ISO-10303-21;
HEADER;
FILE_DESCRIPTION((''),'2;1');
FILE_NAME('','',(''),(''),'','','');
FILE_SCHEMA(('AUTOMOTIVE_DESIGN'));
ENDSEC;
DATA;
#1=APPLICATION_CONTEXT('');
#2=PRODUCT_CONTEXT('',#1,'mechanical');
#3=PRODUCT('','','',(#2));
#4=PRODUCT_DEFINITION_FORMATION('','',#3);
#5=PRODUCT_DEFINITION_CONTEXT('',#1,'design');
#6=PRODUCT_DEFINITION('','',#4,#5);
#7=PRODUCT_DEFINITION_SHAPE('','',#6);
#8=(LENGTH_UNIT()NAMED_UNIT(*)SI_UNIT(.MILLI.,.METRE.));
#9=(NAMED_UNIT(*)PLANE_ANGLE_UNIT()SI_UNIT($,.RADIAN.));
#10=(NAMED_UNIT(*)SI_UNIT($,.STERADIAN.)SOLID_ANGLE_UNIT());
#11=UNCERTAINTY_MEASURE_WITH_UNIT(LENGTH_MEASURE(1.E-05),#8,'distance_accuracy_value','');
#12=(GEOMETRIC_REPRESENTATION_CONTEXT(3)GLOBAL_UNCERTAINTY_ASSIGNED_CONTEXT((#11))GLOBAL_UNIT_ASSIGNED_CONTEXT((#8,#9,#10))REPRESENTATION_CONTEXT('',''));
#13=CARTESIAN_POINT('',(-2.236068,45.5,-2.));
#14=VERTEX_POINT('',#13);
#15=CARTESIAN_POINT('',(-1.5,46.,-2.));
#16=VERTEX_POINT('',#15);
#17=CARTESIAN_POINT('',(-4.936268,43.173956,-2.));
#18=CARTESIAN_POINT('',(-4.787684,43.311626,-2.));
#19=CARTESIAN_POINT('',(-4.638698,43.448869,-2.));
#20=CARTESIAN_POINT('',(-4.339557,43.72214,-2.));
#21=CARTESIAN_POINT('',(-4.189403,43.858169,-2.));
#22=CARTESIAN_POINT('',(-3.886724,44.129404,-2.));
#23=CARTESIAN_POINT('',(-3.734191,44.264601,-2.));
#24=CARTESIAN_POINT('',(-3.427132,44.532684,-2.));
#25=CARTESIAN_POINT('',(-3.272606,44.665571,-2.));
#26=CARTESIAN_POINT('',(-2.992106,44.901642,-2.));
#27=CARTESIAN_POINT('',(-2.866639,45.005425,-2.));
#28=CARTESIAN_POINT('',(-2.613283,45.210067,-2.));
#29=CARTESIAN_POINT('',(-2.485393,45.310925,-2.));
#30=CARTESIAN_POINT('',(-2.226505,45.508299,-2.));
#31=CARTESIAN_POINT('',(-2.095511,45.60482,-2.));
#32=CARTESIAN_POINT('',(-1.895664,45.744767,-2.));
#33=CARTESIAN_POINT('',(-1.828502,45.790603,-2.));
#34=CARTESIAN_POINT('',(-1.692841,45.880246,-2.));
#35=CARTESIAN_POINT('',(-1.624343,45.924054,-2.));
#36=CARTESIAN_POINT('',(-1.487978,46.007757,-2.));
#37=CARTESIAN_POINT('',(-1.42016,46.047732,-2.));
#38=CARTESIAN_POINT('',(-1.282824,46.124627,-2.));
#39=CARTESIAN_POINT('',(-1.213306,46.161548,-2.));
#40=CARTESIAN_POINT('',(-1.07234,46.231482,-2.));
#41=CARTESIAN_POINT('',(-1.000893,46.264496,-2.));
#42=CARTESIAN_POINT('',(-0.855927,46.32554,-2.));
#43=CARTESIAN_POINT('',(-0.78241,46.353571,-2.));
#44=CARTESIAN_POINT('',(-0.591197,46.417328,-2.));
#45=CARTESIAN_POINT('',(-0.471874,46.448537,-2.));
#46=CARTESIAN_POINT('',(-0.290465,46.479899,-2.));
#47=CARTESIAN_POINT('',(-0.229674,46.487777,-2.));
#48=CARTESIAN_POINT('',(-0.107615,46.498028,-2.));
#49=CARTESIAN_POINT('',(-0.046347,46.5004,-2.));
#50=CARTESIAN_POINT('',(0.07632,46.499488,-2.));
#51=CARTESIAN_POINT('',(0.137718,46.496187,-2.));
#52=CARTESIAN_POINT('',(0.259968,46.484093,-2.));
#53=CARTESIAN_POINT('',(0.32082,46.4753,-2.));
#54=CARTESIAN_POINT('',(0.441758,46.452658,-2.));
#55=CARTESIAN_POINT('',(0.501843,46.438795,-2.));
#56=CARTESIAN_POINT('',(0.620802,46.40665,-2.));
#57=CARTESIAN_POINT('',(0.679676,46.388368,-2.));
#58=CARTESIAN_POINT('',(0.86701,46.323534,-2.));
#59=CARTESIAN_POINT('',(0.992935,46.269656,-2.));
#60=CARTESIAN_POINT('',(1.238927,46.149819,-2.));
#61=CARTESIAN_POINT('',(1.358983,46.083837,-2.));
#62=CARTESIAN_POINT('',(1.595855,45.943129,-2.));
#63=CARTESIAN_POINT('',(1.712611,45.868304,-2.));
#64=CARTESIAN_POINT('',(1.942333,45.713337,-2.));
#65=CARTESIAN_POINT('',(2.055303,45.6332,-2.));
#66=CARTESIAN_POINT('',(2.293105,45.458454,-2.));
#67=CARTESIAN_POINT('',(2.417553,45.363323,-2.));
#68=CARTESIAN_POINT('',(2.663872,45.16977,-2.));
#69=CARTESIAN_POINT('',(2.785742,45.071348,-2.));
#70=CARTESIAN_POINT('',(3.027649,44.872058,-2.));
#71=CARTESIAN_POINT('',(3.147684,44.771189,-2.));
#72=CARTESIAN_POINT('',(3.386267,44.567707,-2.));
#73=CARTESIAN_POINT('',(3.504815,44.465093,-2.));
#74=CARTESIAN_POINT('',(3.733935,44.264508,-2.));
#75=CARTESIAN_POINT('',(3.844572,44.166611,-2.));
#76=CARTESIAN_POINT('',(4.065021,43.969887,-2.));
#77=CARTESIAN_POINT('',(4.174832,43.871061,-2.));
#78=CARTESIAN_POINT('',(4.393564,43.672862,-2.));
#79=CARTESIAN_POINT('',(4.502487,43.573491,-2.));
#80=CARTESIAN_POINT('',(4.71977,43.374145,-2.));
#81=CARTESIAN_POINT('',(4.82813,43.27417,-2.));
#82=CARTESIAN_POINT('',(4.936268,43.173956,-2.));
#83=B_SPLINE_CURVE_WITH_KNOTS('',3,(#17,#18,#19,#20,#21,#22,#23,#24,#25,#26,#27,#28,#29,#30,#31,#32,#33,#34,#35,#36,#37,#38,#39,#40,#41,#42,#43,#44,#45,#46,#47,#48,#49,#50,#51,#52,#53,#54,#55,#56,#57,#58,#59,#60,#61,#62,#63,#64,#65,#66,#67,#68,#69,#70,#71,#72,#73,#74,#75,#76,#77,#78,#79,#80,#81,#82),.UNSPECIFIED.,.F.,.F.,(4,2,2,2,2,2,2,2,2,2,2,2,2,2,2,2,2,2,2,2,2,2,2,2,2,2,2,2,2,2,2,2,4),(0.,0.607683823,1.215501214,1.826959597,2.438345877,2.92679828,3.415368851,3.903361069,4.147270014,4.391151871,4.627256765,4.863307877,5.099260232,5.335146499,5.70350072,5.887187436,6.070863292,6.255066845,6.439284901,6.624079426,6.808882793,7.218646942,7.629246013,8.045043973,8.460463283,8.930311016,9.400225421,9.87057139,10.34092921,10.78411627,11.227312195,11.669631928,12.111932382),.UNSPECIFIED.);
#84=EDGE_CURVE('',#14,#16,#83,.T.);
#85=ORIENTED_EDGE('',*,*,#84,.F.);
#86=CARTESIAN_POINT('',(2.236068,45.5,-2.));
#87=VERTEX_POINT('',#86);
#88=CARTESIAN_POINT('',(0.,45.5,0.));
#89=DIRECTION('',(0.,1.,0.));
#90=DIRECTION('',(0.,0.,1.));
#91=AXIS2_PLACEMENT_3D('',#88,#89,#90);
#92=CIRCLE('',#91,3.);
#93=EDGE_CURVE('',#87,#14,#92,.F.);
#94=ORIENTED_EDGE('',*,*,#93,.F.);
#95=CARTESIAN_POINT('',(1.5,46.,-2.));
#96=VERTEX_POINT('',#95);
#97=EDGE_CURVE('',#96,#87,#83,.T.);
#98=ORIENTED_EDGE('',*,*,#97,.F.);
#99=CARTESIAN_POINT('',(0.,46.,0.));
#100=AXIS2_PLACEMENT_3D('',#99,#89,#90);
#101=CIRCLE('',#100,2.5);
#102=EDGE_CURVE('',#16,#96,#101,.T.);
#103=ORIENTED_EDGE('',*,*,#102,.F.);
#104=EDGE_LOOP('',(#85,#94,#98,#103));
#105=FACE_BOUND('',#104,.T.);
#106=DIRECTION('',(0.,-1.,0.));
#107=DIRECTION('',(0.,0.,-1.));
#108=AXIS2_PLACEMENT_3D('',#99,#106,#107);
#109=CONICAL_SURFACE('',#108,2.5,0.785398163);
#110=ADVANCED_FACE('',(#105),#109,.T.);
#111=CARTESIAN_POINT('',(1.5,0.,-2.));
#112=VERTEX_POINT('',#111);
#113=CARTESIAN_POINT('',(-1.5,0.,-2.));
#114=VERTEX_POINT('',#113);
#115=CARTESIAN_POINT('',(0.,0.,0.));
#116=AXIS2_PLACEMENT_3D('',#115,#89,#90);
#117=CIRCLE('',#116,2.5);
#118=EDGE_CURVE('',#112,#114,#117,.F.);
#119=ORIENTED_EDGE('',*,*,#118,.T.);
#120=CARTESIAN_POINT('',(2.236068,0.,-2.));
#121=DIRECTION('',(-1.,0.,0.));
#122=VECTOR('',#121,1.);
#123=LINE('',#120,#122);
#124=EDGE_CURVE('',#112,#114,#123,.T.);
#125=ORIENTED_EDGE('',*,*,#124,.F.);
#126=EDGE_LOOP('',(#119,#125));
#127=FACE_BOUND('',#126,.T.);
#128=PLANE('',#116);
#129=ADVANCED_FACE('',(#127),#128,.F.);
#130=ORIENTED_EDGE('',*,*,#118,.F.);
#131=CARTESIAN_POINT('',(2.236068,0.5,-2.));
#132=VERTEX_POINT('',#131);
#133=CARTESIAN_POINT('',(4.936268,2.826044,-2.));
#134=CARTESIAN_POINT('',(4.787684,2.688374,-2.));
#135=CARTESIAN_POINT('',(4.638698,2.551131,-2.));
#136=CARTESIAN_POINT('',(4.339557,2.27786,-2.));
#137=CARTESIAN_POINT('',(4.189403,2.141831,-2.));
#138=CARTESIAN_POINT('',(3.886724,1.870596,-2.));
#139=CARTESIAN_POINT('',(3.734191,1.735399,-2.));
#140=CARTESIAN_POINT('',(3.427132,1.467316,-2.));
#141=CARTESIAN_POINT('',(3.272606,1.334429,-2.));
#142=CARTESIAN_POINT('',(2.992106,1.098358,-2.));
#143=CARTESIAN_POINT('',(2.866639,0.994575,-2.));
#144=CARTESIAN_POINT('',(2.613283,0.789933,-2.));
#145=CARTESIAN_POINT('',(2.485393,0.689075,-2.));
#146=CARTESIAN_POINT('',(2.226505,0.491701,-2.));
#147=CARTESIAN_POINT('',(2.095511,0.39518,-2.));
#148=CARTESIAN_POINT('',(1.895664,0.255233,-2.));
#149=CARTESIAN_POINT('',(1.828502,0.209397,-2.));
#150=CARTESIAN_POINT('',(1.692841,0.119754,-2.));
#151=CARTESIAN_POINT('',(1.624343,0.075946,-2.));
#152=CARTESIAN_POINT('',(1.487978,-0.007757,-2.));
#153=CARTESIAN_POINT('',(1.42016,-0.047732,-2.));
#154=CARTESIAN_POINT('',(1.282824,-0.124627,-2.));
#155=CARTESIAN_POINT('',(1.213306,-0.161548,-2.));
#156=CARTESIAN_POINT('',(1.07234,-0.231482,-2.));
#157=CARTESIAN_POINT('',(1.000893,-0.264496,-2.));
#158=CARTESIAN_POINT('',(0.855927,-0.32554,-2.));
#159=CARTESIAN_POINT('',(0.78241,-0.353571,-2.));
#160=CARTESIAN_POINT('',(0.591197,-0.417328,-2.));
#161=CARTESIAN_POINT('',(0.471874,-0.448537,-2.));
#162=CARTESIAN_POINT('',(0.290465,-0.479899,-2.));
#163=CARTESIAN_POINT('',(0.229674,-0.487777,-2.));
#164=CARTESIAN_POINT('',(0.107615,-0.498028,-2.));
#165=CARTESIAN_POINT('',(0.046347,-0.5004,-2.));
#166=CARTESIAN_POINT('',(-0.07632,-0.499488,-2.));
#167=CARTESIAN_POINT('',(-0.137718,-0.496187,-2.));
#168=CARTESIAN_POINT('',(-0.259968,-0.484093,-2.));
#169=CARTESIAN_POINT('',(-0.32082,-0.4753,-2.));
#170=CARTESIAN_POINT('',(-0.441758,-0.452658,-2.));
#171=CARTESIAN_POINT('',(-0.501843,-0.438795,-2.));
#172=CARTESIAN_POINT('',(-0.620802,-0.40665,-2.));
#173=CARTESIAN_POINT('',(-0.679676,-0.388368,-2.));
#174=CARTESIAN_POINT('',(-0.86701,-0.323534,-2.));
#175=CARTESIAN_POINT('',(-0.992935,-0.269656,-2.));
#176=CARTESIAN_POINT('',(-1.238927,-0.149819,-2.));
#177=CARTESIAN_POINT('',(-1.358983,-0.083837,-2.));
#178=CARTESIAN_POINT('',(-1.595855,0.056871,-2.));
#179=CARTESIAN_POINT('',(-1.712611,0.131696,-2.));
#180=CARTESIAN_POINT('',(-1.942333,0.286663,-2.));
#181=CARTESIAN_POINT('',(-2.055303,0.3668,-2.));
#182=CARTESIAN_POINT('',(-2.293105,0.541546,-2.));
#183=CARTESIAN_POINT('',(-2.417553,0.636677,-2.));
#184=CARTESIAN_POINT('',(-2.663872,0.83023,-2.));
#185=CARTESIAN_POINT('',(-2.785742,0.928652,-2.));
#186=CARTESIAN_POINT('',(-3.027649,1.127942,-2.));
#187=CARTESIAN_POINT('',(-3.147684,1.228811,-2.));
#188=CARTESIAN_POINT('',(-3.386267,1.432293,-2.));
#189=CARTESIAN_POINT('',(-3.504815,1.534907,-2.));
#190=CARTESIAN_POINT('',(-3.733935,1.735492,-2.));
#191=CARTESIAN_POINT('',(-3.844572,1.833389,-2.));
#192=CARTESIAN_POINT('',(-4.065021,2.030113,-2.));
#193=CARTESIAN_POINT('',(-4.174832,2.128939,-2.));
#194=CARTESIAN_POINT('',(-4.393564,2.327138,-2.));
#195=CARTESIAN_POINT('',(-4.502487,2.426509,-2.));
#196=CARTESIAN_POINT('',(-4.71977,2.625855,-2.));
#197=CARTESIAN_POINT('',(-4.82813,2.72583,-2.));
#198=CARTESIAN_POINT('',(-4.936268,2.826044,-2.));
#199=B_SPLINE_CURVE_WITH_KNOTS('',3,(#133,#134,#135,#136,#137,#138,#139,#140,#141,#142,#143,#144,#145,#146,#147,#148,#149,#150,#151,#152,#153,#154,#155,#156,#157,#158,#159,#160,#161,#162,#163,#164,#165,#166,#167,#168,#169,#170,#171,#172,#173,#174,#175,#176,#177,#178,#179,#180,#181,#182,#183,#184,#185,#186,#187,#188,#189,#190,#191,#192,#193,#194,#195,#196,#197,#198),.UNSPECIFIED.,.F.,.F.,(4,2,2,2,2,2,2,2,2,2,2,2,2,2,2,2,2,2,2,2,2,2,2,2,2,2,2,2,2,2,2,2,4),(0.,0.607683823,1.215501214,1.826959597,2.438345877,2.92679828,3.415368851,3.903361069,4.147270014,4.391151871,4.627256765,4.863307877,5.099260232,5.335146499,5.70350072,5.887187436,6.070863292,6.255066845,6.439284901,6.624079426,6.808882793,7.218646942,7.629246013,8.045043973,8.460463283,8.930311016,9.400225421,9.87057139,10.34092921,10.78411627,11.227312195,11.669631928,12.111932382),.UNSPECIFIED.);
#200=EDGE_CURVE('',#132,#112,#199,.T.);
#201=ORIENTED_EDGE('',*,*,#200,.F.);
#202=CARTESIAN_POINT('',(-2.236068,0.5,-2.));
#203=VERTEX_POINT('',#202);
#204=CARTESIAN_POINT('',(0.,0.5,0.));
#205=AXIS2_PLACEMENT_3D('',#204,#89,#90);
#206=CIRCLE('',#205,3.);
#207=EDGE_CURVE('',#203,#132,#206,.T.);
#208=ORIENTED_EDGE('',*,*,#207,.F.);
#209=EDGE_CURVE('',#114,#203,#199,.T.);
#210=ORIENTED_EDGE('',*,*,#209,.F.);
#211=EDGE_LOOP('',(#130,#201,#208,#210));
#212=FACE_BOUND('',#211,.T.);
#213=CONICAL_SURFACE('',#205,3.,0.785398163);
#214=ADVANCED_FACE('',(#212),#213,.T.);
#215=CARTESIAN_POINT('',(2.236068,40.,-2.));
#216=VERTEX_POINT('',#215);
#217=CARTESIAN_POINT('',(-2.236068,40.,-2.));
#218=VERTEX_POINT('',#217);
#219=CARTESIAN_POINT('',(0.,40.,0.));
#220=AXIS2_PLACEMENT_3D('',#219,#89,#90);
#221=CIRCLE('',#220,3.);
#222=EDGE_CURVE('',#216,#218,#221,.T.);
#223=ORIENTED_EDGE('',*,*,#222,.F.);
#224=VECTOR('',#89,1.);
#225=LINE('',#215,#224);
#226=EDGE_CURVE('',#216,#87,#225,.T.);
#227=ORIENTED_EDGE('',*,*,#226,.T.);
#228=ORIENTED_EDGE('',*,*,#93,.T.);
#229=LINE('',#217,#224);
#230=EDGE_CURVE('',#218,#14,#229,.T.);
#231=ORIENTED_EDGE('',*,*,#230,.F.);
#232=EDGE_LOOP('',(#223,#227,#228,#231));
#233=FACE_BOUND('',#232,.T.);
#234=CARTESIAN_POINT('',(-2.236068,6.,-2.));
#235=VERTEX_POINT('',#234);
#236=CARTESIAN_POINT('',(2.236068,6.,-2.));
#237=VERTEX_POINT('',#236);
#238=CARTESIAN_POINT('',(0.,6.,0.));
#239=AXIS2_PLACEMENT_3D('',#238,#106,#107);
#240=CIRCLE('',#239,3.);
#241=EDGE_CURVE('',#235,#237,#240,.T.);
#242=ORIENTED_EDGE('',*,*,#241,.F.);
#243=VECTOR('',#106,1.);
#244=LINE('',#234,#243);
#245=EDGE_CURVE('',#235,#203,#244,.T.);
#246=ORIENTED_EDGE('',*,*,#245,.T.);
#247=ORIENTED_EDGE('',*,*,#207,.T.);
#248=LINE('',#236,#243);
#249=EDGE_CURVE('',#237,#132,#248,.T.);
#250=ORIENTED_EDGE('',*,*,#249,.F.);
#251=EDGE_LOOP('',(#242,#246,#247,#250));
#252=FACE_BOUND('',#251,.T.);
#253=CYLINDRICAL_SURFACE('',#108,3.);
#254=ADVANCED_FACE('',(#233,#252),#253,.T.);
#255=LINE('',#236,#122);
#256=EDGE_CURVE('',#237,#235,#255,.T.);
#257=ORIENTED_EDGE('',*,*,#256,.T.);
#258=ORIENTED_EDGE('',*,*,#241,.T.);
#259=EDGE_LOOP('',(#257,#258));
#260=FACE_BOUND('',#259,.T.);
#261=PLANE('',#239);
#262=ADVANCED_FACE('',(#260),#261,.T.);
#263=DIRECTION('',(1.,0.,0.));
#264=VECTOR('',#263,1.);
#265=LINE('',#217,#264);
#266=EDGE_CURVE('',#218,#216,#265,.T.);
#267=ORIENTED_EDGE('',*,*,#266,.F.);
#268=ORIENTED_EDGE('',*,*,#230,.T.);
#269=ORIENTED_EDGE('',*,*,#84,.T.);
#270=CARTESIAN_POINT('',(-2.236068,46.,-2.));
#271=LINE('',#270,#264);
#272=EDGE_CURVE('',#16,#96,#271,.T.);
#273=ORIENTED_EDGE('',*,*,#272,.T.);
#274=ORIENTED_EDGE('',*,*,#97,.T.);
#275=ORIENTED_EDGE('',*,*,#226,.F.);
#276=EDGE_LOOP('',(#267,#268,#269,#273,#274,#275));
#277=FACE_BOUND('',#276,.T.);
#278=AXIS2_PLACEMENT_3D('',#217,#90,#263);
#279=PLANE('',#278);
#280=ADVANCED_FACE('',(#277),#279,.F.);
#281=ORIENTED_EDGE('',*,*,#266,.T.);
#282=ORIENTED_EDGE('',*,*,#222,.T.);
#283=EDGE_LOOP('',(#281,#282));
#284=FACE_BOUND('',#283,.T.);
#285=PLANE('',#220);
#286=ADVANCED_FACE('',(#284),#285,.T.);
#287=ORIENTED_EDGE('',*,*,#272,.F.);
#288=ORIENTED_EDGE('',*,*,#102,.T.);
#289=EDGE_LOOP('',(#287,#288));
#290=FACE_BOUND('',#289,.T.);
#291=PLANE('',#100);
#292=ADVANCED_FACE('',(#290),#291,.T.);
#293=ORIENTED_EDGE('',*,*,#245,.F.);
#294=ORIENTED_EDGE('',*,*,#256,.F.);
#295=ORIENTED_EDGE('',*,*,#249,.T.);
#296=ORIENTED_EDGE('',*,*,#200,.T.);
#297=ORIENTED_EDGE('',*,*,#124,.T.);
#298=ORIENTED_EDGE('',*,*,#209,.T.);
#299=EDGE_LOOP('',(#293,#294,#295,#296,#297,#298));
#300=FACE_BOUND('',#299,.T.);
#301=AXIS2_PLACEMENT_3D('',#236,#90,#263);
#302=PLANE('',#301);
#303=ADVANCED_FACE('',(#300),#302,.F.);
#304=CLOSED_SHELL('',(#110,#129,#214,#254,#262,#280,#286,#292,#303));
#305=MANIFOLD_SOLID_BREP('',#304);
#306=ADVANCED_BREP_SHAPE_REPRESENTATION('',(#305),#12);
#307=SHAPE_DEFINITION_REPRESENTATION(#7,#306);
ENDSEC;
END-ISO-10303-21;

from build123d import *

# Parameters (mm, degrees)
SKETCH1_R           = 3
BOSS_EXTRUDE1_DEPTH = 46
CHAMFER1_SIZE       = 0.5
CUT_EXTRUDE1_DEPTH  = 6
CUT_EXTRUDE2_DEPTH  = 6


with BuildPart() as part:
    # Sketch1 → Boss-Extrude1 (new body)
    with BuildSketch(Plane(origin=(0, 0, 0), x_dir=(1, 0, 0), z_dir=(0, 1, 0))):
        Circle(SKETCH1_R)
    extrude(amount=BOSS_EXTRUDE1_DEPTH)

    # Chamfer1
    chamfer1_edges = [part.edges().sort_by_distance(p)[0] for p in [
        (-3, 0, 0),
        (-3, 46, 0),
    ]]
    chamfer(chamfer1_edges, length=CHAMFER1_SIZE)

    # Sketch2 → Cut-Extrude1 (cut)
    with BuildSketch(Plane(origin=(0, 46, 0), x_dir=(1, 0, 0), z_dir=(0, 1, 0))):
        with BuildLine():
            Line((-2.236067977, 2), (2.236067977, 2))
            ThreePointArc((2.236067977, 2), (0, 3), (-2.236067977, 2))
        make_face()
    extrude(amount=-CUT_EXTRUDE1_DEPTH, mode=Mode.SUBTRACT)

    # Sketch3 → Cut-Extrude2 (cut)
    with BuildSketch(Plane.XZ):
        with BuildLine():
            Line((2.236067977, -2), (-2.236067977, -2))
            ThreePointArc((-2.236067977, -2), (0, -3), (2.236067977, -2))
        make_face()
    extrude(amount=-CUT_EXTRUDE2_DEPTH, mode=Mode.SUBTRACT)


solid = part.part
